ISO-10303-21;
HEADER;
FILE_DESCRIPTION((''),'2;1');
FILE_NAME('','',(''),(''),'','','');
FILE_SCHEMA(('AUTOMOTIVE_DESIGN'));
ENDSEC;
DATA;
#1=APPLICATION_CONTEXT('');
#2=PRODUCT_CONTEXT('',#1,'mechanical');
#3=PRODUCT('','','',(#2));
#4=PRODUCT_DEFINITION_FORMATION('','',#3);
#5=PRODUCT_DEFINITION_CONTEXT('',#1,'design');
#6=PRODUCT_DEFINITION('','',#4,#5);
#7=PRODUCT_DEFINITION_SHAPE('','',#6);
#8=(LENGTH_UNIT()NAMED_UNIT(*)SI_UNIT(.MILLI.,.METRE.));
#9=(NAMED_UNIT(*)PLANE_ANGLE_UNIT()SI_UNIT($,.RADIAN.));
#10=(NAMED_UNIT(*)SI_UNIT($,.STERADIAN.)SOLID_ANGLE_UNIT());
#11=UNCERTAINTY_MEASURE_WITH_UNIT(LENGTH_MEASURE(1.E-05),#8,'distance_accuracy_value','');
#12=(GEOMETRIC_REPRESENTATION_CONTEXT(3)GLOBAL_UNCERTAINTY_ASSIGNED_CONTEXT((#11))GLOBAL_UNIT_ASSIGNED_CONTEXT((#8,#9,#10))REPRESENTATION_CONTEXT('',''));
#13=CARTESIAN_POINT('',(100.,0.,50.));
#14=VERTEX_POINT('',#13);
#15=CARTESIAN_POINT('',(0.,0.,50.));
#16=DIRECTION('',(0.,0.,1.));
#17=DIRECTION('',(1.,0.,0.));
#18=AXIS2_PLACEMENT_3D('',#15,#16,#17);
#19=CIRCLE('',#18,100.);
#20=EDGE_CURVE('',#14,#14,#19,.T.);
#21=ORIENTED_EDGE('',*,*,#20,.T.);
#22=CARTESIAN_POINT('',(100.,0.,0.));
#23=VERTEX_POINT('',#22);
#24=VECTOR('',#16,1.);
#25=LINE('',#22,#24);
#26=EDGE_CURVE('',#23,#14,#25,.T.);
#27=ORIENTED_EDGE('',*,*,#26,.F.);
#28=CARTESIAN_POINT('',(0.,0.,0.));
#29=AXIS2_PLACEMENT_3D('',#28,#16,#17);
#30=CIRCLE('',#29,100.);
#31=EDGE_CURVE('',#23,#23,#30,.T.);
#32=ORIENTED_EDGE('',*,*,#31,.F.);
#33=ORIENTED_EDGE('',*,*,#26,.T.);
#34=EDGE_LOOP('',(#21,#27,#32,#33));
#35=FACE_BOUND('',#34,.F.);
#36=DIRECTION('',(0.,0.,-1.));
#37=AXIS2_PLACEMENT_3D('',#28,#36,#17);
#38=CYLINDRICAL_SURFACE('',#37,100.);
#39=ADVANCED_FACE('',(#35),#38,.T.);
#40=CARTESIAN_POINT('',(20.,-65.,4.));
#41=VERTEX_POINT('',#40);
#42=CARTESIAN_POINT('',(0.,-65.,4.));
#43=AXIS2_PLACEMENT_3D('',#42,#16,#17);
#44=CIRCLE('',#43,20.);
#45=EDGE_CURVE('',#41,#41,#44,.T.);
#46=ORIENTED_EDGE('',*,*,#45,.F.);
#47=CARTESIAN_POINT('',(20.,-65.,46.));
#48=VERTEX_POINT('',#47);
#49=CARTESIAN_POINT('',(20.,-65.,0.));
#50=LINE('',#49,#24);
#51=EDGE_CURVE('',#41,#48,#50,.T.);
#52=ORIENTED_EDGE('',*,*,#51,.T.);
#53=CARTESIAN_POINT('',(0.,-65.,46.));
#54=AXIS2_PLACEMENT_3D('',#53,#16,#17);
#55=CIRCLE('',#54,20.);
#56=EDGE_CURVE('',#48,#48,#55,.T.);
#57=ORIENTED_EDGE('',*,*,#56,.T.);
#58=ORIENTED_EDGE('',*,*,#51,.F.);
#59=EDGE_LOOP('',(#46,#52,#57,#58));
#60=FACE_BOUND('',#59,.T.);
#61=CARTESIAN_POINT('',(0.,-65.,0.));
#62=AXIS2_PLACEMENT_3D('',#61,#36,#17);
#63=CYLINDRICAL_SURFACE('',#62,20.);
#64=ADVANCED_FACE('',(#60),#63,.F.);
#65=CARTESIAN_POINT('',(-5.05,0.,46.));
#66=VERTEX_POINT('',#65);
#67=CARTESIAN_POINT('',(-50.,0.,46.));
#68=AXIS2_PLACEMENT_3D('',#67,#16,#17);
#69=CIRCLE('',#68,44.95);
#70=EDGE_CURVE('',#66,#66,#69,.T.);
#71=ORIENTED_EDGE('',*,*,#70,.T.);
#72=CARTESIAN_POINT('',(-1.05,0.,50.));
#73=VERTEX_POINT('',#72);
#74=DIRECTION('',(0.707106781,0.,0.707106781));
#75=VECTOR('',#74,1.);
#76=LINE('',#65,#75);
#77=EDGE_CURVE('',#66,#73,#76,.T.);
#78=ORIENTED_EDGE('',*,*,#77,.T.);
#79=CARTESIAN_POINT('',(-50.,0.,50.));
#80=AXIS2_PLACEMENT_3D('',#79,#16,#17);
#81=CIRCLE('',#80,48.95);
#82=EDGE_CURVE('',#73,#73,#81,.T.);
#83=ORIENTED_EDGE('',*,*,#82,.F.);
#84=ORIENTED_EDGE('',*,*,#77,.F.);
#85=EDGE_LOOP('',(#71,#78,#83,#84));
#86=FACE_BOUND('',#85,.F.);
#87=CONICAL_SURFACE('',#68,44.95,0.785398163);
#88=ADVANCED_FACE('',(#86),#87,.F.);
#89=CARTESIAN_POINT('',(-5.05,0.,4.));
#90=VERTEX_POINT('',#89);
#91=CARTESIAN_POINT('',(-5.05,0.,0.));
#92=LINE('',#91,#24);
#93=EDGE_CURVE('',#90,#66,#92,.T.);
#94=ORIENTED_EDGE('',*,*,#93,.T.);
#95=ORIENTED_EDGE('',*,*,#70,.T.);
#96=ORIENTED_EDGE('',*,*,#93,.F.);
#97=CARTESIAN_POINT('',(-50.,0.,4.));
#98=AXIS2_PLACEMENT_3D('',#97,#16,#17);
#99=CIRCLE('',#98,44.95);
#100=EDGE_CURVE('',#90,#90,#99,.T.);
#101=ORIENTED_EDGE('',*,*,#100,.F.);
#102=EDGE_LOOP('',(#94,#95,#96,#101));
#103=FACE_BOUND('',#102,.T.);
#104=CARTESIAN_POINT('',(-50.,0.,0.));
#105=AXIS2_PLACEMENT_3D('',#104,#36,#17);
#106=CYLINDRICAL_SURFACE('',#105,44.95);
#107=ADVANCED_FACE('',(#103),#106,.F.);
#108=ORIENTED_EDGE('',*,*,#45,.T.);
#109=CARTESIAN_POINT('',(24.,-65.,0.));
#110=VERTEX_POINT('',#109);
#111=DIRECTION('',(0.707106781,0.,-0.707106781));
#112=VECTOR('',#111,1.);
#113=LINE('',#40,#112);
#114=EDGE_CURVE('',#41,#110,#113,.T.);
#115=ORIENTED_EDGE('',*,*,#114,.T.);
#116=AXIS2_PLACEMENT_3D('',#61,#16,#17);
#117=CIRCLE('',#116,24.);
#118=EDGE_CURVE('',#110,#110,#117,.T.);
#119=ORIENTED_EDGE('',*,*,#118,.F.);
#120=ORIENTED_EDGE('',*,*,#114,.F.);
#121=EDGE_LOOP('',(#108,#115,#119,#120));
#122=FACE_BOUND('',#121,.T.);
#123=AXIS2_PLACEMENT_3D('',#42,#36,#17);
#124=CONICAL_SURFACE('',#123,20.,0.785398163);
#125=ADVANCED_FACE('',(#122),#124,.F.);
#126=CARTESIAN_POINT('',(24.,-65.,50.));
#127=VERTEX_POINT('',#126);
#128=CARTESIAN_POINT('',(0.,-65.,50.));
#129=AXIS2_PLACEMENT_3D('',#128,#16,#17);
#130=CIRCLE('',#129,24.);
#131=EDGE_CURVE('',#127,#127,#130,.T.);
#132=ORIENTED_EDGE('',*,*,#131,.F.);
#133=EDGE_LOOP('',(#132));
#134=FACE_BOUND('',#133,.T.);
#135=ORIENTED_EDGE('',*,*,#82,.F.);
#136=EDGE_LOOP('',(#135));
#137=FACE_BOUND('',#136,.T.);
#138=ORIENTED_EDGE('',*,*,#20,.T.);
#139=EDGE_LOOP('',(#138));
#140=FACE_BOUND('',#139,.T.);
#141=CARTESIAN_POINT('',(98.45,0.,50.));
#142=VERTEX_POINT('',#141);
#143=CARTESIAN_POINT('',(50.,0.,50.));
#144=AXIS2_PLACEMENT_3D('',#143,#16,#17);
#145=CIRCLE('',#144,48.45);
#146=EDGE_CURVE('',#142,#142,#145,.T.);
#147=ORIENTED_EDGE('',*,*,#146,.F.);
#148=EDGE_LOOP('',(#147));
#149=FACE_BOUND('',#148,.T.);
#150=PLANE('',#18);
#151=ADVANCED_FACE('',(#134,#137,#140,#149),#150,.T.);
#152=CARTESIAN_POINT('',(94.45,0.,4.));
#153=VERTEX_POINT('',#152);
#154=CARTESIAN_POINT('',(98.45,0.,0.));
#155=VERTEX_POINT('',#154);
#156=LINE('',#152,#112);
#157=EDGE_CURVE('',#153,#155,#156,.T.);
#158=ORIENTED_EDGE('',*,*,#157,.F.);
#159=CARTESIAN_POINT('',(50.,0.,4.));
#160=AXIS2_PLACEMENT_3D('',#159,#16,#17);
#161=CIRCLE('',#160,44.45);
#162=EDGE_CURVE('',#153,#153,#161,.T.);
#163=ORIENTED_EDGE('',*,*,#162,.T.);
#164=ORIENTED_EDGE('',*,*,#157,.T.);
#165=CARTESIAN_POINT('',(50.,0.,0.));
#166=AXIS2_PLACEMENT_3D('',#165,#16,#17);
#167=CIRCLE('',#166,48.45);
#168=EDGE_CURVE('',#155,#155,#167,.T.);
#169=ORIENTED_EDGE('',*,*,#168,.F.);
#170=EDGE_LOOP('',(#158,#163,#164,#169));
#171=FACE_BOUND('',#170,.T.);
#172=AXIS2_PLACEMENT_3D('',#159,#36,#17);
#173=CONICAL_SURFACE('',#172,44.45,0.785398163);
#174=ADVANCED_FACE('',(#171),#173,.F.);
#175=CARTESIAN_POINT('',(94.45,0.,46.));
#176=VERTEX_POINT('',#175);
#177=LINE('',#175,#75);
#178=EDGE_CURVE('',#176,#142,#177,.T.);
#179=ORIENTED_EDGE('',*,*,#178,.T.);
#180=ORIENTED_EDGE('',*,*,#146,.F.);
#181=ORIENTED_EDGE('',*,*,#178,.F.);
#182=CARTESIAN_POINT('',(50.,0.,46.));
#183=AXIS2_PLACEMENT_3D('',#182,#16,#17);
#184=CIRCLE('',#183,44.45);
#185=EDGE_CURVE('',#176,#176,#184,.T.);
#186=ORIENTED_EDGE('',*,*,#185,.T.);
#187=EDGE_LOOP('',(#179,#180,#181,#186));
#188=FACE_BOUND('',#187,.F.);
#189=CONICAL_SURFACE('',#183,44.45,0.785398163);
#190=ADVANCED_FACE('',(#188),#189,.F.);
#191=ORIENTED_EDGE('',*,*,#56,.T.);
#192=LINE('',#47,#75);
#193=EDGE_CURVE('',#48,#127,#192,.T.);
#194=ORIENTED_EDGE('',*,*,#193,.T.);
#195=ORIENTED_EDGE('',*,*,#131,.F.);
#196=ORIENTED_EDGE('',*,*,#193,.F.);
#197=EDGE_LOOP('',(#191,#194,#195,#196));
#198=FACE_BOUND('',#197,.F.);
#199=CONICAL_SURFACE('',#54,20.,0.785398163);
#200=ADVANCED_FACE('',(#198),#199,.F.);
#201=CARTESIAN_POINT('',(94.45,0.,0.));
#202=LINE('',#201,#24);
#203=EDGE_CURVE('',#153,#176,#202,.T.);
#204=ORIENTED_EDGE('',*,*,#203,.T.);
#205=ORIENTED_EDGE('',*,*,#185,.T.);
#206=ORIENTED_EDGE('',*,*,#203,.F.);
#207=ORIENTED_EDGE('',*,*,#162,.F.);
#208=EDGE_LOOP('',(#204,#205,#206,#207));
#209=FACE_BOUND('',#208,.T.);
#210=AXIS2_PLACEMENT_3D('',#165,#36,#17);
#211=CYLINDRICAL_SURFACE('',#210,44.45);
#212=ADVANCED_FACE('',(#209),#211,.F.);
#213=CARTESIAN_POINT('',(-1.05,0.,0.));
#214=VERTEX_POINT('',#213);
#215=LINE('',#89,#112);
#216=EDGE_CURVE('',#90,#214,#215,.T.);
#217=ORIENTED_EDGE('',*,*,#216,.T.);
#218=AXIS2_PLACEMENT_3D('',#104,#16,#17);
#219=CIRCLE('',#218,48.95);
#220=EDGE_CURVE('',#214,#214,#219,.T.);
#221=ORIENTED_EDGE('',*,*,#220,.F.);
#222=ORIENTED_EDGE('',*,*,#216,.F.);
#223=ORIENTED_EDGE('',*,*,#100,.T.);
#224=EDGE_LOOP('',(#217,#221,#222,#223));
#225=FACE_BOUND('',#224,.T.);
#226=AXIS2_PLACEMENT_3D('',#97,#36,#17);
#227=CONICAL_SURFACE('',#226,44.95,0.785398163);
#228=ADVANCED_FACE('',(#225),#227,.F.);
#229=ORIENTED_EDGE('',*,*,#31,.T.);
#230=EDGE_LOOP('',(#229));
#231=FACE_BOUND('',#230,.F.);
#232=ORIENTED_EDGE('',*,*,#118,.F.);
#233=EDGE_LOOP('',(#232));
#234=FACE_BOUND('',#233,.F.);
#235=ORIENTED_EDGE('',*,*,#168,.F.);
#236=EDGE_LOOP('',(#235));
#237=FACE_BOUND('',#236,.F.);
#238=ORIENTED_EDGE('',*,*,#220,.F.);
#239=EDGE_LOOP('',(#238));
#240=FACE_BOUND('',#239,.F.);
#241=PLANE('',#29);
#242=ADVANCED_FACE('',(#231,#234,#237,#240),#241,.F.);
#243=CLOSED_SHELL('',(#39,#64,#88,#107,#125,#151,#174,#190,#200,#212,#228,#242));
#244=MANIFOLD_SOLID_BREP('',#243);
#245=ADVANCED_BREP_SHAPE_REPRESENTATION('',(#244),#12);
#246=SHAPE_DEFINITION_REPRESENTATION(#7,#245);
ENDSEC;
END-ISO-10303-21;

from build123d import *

# Parameters (mm, degrees)
F0_R     = 100
F0_R_2   = 20
F0_R_3   = 44.95
F0_R_4   = 44.45
F1_DEPTH = 50
F2_SIZE  = 4


with BuildPart() as f1:
    # F0 (on Top) → F1 (new body)
    with BuildSketch(Plane.XY):
        Circle(F0_R)
        with Locations((0, -65)):
            Circle(F0_R_2, mode=Mode.SUBTRACT)
        with Locations((-50, 0)):
            Circle(F0_R_3, mode=Mode.SUBTRACT)
        with Locations((50, 0)):
            Circle(F0_R_4, mode=Mode.SUBTRACT)
    extrude(amount=F1_DEPTH)

    # F2
    f2_edges = [f1.edges().sort_by_distance(p)[0] for p in [
        (5.55, 0, 50),
        (-94.95, 0, 50),
        (-20, -65, 50),
        (5.55, 0, 0),
        (-94.95, 0, 0),
        (-20, -65, 0),
    ]]
    chamfer(f2_edges, length=F2_SIZE)


solid = f1.part
